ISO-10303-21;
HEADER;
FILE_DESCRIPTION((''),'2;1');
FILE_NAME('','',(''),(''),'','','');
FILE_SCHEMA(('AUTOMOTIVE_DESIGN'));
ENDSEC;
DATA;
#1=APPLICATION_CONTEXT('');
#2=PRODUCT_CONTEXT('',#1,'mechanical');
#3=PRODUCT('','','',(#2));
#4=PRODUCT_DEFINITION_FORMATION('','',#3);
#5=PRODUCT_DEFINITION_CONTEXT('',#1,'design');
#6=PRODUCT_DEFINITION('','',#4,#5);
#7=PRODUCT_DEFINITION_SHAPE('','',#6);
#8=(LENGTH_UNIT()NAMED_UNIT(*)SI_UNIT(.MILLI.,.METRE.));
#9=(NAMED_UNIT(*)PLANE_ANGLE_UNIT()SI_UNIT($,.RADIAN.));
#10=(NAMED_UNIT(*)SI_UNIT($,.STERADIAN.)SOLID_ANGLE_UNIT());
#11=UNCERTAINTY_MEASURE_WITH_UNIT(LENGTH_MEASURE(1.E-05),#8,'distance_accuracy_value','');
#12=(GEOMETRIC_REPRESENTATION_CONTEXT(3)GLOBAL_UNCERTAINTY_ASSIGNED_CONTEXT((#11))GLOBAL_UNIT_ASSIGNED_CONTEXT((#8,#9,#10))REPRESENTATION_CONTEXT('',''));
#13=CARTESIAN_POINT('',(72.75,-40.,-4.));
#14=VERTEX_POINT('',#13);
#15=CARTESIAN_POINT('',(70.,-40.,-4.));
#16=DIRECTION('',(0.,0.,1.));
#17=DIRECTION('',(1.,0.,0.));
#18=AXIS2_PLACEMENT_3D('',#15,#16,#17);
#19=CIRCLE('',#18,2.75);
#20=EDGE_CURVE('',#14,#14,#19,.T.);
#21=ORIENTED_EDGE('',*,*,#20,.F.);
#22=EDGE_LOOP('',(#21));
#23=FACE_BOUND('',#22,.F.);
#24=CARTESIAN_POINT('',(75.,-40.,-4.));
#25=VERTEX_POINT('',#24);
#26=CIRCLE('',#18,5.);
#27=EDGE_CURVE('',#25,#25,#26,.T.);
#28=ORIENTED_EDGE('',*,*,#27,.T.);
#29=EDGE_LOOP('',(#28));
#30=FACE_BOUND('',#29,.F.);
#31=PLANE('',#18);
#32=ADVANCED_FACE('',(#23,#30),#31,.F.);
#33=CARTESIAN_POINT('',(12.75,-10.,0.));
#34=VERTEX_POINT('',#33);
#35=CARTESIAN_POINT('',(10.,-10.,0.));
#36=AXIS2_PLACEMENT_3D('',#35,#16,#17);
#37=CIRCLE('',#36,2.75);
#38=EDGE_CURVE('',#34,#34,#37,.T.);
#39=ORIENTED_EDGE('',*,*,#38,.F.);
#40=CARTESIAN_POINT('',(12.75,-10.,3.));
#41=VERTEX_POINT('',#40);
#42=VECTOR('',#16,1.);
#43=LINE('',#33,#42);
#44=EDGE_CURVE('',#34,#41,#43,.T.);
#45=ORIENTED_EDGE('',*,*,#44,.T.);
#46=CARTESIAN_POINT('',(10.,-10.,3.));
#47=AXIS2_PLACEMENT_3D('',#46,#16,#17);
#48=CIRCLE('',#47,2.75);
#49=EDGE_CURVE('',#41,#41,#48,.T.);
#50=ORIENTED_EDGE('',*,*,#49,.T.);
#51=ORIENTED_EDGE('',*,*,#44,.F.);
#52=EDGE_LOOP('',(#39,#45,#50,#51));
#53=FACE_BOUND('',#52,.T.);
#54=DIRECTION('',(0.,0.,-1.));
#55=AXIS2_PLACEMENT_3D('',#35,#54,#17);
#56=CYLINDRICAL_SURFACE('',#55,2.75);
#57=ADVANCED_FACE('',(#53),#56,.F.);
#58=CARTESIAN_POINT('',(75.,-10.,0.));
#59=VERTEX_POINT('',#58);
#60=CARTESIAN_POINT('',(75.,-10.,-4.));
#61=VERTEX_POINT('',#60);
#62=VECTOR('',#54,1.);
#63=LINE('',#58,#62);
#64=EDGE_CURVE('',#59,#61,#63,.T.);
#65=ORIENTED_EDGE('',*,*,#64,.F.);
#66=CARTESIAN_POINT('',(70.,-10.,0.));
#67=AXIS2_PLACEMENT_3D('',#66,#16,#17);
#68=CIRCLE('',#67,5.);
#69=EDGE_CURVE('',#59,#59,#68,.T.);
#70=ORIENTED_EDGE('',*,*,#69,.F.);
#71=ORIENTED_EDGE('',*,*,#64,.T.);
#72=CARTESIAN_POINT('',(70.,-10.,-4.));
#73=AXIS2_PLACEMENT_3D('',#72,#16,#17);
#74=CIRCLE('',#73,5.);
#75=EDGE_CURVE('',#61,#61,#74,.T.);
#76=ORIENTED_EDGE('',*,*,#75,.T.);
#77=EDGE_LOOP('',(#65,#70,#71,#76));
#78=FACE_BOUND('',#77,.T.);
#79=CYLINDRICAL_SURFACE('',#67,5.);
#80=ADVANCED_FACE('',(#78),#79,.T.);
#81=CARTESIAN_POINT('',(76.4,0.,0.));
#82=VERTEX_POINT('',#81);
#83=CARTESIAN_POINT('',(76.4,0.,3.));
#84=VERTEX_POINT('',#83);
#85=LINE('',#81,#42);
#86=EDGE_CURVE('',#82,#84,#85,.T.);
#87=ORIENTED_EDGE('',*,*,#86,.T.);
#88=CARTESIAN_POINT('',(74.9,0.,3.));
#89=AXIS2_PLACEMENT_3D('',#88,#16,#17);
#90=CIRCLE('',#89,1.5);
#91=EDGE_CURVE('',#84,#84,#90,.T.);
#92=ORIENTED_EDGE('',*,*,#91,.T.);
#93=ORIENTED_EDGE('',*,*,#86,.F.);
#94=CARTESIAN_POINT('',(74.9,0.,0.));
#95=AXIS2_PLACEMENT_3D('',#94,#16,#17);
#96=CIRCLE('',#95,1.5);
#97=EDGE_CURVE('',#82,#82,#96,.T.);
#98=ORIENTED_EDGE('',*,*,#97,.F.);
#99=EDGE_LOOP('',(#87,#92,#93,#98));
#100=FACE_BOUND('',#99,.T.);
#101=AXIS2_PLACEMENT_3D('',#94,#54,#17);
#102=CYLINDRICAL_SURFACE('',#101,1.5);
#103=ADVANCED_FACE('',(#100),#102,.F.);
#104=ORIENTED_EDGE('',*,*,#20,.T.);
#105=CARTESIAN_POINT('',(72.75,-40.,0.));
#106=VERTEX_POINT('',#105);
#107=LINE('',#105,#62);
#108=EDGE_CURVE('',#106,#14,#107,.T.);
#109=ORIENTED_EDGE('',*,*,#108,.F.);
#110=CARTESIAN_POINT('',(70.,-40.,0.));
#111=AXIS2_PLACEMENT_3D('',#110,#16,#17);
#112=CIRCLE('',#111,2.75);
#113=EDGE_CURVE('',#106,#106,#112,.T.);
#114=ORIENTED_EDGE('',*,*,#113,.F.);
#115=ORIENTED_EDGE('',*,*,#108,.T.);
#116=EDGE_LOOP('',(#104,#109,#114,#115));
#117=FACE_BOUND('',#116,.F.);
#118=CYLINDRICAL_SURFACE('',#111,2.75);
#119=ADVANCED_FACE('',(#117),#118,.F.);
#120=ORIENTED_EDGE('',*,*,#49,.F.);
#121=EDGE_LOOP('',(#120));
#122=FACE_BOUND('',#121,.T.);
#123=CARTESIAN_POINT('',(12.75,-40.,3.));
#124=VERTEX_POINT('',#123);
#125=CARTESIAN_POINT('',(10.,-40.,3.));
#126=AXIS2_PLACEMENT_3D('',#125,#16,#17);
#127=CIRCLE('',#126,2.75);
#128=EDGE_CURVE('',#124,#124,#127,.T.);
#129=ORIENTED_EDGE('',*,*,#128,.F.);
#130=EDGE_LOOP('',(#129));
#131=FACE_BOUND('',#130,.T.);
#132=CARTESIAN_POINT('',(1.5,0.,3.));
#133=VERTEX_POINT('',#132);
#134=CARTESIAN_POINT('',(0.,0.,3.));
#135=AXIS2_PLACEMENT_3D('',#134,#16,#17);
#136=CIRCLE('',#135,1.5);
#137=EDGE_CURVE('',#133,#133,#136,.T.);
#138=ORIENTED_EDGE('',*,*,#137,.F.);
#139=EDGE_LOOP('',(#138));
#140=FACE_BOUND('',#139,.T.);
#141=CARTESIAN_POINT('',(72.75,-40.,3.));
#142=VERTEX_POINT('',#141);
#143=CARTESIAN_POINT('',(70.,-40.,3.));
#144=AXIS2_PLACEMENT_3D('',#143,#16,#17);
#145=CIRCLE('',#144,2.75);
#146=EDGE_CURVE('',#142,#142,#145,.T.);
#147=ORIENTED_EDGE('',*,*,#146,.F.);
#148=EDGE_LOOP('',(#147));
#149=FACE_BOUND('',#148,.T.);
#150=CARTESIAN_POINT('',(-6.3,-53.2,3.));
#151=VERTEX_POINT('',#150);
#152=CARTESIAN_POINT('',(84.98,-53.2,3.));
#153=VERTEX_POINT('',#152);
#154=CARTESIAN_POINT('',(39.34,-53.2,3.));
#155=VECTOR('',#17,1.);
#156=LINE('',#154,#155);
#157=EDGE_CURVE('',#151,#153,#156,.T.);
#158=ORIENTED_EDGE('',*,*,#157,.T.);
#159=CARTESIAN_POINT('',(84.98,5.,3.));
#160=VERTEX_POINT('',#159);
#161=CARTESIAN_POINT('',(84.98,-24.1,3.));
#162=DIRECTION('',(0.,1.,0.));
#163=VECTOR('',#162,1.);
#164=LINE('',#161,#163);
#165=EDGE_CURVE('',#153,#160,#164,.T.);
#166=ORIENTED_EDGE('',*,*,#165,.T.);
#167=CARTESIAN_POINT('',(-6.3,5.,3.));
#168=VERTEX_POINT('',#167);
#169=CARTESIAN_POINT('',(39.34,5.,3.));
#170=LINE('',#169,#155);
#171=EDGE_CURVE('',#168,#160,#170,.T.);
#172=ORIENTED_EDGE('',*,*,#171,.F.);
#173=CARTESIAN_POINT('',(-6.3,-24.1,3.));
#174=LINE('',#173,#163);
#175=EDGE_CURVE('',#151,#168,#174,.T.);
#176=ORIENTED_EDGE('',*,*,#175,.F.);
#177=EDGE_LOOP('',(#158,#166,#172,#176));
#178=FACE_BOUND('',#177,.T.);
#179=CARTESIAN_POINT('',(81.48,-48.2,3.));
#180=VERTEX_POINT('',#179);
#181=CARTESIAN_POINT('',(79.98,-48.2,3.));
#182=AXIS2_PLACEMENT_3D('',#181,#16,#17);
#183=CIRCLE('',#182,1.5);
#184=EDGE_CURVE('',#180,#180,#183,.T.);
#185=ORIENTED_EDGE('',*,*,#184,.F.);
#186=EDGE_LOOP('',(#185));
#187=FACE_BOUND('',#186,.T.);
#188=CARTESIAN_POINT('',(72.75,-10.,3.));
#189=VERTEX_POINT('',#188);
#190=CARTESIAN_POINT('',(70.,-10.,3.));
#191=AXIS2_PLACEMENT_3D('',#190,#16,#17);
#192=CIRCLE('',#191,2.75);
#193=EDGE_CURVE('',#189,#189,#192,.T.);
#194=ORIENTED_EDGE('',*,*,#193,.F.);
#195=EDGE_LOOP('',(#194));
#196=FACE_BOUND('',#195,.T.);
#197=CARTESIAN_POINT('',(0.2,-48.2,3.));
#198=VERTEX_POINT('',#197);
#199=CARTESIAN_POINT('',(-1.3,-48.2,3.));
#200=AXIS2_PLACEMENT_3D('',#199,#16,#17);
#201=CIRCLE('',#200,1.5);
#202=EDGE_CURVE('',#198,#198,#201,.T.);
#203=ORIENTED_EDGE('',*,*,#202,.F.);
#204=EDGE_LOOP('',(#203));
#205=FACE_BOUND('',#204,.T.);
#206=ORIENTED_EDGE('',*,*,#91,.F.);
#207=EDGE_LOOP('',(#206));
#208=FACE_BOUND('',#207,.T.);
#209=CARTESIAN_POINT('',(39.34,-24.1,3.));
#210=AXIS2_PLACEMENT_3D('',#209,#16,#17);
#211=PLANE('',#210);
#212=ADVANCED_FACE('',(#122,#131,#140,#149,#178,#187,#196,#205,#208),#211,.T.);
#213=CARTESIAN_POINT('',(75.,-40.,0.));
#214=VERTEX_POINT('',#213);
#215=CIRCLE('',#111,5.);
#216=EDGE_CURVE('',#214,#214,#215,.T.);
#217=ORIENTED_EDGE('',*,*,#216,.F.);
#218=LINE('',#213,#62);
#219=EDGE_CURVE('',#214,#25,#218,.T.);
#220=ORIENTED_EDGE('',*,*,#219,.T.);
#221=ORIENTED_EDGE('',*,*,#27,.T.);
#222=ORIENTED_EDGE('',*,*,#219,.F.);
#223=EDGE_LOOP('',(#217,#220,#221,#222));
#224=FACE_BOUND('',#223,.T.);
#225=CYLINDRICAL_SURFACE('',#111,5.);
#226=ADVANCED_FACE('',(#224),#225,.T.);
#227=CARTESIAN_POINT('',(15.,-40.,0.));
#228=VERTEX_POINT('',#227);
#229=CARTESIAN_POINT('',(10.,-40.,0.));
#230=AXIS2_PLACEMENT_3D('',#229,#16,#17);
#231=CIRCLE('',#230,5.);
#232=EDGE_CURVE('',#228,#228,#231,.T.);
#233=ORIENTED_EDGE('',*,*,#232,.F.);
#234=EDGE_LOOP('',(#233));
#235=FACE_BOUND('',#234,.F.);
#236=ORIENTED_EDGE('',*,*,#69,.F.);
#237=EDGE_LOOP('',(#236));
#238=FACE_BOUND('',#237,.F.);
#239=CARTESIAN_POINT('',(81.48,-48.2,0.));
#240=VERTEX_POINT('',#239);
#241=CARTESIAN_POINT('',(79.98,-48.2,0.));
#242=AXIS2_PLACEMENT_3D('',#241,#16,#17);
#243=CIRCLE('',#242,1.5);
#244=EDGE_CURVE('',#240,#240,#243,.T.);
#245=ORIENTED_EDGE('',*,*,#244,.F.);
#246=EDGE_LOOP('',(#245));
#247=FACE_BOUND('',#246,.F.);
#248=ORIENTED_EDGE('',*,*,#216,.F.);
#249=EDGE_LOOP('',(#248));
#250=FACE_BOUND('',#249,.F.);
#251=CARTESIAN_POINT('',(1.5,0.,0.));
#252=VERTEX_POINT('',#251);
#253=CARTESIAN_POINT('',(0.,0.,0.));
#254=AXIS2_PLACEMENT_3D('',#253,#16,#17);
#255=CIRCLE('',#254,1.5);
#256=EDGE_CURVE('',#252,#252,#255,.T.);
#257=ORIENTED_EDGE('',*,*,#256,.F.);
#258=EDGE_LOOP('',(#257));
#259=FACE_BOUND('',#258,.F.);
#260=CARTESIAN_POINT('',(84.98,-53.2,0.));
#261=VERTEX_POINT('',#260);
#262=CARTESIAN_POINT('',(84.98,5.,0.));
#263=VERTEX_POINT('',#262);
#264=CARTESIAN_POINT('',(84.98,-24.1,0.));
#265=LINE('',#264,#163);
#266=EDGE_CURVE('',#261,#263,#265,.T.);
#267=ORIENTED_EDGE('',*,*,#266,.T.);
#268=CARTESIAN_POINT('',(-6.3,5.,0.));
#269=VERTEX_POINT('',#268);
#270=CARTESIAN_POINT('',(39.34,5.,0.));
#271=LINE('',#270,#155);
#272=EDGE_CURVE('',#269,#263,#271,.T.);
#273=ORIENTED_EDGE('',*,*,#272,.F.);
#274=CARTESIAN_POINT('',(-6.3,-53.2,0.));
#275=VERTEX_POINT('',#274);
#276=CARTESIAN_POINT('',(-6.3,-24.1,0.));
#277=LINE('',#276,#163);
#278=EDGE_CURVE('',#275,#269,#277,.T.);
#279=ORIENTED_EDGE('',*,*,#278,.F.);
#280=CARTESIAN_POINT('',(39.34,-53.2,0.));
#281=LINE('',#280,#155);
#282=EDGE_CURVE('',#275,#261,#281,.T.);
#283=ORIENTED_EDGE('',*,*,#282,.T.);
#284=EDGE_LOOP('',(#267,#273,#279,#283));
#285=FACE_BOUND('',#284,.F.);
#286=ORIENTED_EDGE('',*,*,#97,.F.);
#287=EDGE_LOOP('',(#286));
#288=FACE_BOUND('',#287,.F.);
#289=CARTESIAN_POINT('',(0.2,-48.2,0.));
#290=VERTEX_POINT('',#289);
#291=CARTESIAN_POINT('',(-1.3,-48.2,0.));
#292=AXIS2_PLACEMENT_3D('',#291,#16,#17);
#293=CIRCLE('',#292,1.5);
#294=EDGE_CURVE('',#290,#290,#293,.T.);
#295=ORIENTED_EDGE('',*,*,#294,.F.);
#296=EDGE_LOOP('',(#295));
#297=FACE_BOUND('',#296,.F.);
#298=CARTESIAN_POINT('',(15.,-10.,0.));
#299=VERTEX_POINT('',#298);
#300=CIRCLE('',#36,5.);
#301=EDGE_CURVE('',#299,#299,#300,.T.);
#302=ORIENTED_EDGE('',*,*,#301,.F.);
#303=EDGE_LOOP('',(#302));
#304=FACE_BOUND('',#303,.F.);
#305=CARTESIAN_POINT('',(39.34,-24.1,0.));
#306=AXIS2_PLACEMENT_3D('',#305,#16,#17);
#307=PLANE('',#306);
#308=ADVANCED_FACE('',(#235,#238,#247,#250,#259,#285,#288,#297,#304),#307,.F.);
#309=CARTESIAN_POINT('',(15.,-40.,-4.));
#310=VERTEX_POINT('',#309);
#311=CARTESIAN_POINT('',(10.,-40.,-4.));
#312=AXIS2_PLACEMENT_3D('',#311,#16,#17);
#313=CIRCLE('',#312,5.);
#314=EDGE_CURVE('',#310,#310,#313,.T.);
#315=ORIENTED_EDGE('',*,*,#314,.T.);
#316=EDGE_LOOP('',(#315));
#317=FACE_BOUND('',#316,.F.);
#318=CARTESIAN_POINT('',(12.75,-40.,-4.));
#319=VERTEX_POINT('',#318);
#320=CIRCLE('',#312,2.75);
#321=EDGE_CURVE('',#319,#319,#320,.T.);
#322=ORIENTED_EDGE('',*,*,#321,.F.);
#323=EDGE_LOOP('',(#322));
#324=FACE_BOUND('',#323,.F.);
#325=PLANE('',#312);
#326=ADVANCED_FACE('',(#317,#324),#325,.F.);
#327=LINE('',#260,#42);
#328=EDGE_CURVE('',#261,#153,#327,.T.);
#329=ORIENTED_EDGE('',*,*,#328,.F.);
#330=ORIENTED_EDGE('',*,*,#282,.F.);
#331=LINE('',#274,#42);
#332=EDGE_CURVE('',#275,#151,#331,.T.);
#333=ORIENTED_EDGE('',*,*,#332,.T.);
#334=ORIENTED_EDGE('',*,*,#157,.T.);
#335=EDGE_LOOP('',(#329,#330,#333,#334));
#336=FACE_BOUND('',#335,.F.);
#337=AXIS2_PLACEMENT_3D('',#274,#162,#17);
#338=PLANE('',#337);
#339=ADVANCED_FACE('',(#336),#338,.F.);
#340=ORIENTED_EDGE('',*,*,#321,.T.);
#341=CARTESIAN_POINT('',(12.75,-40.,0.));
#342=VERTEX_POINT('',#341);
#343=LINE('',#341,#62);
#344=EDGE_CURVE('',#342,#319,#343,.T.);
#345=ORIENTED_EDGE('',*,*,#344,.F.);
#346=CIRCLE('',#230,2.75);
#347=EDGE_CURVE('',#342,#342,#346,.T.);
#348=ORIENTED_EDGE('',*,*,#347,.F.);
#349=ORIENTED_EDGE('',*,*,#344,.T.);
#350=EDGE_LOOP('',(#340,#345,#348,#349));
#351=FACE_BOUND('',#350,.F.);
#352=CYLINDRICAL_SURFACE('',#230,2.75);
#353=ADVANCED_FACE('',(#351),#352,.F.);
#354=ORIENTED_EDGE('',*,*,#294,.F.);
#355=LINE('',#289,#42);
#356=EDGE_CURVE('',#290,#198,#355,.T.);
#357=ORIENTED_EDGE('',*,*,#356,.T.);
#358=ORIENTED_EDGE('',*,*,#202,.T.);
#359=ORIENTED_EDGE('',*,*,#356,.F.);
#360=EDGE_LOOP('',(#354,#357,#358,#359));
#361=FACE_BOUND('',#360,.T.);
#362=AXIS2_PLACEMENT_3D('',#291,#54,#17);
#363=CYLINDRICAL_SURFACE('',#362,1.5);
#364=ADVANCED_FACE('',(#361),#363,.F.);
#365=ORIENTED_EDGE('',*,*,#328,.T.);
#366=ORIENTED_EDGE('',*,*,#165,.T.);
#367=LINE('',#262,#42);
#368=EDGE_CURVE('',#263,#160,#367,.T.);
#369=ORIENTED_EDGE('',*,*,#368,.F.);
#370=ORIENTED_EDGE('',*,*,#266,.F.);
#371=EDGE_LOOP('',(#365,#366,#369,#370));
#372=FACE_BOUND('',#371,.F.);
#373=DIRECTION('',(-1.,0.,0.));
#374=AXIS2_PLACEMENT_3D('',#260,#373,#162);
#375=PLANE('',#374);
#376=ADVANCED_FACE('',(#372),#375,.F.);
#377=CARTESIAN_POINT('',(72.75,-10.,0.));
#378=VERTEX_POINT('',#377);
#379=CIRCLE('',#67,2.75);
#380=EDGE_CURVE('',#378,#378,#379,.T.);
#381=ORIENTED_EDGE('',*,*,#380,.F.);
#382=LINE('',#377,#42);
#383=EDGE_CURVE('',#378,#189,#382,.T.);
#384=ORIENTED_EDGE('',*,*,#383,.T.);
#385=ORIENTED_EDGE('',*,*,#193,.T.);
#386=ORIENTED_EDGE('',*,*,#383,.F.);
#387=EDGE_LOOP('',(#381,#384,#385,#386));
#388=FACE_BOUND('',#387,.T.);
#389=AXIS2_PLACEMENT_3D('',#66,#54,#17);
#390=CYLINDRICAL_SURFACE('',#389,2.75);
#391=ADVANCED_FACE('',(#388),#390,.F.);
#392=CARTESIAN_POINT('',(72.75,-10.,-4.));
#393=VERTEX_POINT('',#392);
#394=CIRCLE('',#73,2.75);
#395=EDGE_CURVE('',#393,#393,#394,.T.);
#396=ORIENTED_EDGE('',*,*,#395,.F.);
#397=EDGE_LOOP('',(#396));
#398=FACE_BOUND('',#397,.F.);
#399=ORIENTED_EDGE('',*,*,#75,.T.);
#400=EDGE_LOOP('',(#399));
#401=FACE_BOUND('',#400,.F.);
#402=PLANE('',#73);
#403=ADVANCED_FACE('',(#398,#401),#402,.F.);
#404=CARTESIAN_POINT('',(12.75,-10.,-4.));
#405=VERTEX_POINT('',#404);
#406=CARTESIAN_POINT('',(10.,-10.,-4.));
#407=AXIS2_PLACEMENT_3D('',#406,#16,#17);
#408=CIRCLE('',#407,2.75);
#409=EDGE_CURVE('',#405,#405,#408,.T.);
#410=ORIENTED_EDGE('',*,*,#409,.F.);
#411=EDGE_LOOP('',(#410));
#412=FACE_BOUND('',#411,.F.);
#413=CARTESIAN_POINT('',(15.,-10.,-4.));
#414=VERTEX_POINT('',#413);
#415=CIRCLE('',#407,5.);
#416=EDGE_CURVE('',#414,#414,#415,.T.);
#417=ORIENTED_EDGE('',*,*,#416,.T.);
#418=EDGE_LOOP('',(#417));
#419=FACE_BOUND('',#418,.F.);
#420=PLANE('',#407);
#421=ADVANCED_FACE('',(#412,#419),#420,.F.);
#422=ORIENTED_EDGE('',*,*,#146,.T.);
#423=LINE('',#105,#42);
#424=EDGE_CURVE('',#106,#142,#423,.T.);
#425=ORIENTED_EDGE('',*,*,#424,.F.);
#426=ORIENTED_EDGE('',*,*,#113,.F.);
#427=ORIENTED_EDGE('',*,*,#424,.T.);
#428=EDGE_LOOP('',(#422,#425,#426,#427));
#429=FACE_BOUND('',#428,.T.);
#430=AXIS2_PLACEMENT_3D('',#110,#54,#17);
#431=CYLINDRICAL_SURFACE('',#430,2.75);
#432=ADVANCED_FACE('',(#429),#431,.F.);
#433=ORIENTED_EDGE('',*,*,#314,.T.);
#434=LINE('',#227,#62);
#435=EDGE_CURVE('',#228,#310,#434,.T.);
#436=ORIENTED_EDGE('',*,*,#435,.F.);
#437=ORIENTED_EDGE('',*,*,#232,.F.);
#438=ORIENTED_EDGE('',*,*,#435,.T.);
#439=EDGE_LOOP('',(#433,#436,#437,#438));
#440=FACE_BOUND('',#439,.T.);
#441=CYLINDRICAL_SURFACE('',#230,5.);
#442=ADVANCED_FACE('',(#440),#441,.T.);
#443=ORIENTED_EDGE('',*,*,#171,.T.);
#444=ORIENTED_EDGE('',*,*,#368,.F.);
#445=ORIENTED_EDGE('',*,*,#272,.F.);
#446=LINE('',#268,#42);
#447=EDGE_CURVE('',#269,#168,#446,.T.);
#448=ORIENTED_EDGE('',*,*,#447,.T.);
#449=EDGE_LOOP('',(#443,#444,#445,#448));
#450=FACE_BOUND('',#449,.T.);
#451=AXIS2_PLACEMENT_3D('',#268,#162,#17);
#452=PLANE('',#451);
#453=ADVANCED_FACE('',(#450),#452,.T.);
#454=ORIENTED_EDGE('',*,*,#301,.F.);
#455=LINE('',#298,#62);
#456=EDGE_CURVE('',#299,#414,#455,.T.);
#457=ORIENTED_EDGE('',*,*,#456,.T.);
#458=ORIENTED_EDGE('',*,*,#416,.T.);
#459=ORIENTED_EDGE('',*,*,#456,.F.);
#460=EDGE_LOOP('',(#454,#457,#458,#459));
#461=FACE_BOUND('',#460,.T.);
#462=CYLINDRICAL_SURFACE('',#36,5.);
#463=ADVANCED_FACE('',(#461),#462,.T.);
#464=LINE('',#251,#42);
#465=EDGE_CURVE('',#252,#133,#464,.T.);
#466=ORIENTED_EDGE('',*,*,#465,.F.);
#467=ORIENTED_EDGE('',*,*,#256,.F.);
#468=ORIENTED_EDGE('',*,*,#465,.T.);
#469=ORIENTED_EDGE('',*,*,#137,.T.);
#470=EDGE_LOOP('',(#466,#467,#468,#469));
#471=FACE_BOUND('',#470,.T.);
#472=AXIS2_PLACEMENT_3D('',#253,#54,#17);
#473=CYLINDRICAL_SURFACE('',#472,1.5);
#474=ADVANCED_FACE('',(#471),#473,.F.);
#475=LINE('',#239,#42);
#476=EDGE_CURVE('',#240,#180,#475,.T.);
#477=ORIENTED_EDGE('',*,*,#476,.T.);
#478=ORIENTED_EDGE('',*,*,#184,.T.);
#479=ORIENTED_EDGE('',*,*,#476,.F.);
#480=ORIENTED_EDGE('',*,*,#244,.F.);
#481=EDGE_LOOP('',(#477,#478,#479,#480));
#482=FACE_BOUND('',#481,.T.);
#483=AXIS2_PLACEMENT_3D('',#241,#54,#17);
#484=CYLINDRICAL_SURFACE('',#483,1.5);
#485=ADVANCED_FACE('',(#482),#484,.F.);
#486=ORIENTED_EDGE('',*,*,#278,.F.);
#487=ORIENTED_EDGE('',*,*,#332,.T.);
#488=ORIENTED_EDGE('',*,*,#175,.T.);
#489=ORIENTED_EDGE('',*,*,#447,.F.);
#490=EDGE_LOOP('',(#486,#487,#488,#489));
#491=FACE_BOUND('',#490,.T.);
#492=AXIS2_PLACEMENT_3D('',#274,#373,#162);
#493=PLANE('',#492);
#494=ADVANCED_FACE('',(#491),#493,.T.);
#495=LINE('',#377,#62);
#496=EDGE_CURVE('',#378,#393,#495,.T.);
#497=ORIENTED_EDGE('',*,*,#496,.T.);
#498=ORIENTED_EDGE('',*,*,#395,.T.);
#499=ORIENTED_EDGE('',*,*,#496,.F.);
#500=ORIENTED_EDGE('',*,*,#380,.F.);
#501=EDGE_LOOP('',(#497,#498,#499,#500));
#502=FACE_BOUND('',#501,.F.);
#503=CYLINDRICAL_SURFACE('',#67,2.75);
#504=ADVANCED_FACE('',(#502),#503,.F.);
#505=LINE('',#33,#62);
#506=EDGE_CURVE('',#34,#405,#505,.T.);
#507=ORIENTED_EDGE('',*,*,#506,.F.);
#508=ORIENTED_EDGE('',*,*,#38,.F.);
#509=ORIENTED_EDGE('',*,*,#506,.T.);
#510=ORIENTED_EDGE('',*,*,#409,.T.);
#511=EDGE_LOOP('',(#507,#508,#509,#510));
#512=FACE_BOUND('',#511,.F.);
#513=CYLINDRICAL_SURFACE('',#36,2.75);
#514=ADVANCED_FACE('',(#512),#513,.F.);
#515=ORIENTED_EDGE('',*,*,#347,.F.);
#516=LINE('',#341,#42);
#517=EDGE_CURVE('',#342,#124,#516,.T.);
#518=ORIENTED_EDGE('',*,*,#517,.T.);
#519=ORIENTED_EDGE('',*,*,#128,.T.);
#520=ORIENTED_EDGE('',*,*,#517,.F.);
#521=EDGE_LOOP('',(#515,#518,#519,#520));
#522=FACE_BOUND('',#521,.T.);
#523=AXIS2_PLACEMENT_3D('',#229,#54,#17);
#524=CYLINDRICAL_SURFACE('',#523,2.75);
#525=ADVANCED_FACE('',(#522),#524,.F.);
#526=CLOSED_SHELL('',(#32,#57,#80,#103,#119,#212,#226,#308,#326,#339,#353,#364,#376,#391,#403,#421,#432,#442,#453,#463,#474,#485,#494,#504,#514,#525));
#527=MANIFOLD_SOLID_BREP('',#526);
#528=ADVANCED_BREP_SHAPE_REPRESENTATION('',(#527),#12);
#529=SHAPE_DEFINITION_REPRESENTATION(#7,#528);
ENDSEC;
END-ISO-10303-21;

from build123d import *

# Parameters (mm, degrees)
SKETCH_W      = 91.28
SKETCH_H      = 58.2
SKETCH_R      = 1.5
SKETCH_R_2    = 2.75
PAD_DEPTH     = 3
SKETCH001_R   = 5
SKETCH001_R_2 = 2.75
PAD001_DEPTH  = 4


with BuildPart() as part:
    # Sketch → Pad (new body)
    with BuildSketch(Plane.XY):
        with Locations((39.34, -24.1)):
            Rectangle(SKETCH_W, SKETCH_H)
        Circle(SKETCH_R, mode=Mode.SUBTRACT)
        with Locations((-1.3, -48.2)):
            Circle(SKETCH_R, mode=Mode.SUBTRACT)
        with Locations((74.9, 0)):
            Circle(SKETCH_R, mode=Mode.SUBTRACT)
        with Locations((79.98, -48.2)):
            Circle(SKETCH_R, mode=Mode.SUBTRACT)
        with Locations((10, -10)):
            Circle(SKETCH_R_2, mode=Mode.SUBTRACT)
        with Locations((70, -10)):
            Circle(SKETCH_R_2, mode=Mode.SUBTRACT)
        with Locations((70, -40)):
            Circle(SKETCH_R_2, mode=Mode.SUBTRACT)
        with Locations((10, -40)):
            Circle(SKETCH_R_2, mode=Mode.SUBTRACT)
    extrude(amount=PAD_DEPTH)

    # Sketch001 → Pad001 (join)
    with BuildSketch(Plane.XY):
        with Locations((10, -10)):
            Circle(SKETCH001_R)
        with Locations((10, -10)):
            Circle(SKETCH001_R_2, mode=Mode.SUBTRACT)
        with Locations((70, -10)):
            Circle(SKETCH001_R)
        with Locations((70, -10)):
            Circle(SKETCH001_R_2, mode=Mode.SUBTRACT)
        with Locations((70, -40)):
            Circle(SKETCH001_R)
        with Locations((70, -40)):
            Circle(SKETCH001_R_2, mode=Mode.SUBTRACT)
        with Locations((10, -40)):
            Circle(SKETCH001_R)
        with Locations((10, -40)):
            Circle(SKETCH001_R_2, mode=Mode.SUBTRACT)
    extrude(amount=-PAD001_DEPTH)


solid = part.part
